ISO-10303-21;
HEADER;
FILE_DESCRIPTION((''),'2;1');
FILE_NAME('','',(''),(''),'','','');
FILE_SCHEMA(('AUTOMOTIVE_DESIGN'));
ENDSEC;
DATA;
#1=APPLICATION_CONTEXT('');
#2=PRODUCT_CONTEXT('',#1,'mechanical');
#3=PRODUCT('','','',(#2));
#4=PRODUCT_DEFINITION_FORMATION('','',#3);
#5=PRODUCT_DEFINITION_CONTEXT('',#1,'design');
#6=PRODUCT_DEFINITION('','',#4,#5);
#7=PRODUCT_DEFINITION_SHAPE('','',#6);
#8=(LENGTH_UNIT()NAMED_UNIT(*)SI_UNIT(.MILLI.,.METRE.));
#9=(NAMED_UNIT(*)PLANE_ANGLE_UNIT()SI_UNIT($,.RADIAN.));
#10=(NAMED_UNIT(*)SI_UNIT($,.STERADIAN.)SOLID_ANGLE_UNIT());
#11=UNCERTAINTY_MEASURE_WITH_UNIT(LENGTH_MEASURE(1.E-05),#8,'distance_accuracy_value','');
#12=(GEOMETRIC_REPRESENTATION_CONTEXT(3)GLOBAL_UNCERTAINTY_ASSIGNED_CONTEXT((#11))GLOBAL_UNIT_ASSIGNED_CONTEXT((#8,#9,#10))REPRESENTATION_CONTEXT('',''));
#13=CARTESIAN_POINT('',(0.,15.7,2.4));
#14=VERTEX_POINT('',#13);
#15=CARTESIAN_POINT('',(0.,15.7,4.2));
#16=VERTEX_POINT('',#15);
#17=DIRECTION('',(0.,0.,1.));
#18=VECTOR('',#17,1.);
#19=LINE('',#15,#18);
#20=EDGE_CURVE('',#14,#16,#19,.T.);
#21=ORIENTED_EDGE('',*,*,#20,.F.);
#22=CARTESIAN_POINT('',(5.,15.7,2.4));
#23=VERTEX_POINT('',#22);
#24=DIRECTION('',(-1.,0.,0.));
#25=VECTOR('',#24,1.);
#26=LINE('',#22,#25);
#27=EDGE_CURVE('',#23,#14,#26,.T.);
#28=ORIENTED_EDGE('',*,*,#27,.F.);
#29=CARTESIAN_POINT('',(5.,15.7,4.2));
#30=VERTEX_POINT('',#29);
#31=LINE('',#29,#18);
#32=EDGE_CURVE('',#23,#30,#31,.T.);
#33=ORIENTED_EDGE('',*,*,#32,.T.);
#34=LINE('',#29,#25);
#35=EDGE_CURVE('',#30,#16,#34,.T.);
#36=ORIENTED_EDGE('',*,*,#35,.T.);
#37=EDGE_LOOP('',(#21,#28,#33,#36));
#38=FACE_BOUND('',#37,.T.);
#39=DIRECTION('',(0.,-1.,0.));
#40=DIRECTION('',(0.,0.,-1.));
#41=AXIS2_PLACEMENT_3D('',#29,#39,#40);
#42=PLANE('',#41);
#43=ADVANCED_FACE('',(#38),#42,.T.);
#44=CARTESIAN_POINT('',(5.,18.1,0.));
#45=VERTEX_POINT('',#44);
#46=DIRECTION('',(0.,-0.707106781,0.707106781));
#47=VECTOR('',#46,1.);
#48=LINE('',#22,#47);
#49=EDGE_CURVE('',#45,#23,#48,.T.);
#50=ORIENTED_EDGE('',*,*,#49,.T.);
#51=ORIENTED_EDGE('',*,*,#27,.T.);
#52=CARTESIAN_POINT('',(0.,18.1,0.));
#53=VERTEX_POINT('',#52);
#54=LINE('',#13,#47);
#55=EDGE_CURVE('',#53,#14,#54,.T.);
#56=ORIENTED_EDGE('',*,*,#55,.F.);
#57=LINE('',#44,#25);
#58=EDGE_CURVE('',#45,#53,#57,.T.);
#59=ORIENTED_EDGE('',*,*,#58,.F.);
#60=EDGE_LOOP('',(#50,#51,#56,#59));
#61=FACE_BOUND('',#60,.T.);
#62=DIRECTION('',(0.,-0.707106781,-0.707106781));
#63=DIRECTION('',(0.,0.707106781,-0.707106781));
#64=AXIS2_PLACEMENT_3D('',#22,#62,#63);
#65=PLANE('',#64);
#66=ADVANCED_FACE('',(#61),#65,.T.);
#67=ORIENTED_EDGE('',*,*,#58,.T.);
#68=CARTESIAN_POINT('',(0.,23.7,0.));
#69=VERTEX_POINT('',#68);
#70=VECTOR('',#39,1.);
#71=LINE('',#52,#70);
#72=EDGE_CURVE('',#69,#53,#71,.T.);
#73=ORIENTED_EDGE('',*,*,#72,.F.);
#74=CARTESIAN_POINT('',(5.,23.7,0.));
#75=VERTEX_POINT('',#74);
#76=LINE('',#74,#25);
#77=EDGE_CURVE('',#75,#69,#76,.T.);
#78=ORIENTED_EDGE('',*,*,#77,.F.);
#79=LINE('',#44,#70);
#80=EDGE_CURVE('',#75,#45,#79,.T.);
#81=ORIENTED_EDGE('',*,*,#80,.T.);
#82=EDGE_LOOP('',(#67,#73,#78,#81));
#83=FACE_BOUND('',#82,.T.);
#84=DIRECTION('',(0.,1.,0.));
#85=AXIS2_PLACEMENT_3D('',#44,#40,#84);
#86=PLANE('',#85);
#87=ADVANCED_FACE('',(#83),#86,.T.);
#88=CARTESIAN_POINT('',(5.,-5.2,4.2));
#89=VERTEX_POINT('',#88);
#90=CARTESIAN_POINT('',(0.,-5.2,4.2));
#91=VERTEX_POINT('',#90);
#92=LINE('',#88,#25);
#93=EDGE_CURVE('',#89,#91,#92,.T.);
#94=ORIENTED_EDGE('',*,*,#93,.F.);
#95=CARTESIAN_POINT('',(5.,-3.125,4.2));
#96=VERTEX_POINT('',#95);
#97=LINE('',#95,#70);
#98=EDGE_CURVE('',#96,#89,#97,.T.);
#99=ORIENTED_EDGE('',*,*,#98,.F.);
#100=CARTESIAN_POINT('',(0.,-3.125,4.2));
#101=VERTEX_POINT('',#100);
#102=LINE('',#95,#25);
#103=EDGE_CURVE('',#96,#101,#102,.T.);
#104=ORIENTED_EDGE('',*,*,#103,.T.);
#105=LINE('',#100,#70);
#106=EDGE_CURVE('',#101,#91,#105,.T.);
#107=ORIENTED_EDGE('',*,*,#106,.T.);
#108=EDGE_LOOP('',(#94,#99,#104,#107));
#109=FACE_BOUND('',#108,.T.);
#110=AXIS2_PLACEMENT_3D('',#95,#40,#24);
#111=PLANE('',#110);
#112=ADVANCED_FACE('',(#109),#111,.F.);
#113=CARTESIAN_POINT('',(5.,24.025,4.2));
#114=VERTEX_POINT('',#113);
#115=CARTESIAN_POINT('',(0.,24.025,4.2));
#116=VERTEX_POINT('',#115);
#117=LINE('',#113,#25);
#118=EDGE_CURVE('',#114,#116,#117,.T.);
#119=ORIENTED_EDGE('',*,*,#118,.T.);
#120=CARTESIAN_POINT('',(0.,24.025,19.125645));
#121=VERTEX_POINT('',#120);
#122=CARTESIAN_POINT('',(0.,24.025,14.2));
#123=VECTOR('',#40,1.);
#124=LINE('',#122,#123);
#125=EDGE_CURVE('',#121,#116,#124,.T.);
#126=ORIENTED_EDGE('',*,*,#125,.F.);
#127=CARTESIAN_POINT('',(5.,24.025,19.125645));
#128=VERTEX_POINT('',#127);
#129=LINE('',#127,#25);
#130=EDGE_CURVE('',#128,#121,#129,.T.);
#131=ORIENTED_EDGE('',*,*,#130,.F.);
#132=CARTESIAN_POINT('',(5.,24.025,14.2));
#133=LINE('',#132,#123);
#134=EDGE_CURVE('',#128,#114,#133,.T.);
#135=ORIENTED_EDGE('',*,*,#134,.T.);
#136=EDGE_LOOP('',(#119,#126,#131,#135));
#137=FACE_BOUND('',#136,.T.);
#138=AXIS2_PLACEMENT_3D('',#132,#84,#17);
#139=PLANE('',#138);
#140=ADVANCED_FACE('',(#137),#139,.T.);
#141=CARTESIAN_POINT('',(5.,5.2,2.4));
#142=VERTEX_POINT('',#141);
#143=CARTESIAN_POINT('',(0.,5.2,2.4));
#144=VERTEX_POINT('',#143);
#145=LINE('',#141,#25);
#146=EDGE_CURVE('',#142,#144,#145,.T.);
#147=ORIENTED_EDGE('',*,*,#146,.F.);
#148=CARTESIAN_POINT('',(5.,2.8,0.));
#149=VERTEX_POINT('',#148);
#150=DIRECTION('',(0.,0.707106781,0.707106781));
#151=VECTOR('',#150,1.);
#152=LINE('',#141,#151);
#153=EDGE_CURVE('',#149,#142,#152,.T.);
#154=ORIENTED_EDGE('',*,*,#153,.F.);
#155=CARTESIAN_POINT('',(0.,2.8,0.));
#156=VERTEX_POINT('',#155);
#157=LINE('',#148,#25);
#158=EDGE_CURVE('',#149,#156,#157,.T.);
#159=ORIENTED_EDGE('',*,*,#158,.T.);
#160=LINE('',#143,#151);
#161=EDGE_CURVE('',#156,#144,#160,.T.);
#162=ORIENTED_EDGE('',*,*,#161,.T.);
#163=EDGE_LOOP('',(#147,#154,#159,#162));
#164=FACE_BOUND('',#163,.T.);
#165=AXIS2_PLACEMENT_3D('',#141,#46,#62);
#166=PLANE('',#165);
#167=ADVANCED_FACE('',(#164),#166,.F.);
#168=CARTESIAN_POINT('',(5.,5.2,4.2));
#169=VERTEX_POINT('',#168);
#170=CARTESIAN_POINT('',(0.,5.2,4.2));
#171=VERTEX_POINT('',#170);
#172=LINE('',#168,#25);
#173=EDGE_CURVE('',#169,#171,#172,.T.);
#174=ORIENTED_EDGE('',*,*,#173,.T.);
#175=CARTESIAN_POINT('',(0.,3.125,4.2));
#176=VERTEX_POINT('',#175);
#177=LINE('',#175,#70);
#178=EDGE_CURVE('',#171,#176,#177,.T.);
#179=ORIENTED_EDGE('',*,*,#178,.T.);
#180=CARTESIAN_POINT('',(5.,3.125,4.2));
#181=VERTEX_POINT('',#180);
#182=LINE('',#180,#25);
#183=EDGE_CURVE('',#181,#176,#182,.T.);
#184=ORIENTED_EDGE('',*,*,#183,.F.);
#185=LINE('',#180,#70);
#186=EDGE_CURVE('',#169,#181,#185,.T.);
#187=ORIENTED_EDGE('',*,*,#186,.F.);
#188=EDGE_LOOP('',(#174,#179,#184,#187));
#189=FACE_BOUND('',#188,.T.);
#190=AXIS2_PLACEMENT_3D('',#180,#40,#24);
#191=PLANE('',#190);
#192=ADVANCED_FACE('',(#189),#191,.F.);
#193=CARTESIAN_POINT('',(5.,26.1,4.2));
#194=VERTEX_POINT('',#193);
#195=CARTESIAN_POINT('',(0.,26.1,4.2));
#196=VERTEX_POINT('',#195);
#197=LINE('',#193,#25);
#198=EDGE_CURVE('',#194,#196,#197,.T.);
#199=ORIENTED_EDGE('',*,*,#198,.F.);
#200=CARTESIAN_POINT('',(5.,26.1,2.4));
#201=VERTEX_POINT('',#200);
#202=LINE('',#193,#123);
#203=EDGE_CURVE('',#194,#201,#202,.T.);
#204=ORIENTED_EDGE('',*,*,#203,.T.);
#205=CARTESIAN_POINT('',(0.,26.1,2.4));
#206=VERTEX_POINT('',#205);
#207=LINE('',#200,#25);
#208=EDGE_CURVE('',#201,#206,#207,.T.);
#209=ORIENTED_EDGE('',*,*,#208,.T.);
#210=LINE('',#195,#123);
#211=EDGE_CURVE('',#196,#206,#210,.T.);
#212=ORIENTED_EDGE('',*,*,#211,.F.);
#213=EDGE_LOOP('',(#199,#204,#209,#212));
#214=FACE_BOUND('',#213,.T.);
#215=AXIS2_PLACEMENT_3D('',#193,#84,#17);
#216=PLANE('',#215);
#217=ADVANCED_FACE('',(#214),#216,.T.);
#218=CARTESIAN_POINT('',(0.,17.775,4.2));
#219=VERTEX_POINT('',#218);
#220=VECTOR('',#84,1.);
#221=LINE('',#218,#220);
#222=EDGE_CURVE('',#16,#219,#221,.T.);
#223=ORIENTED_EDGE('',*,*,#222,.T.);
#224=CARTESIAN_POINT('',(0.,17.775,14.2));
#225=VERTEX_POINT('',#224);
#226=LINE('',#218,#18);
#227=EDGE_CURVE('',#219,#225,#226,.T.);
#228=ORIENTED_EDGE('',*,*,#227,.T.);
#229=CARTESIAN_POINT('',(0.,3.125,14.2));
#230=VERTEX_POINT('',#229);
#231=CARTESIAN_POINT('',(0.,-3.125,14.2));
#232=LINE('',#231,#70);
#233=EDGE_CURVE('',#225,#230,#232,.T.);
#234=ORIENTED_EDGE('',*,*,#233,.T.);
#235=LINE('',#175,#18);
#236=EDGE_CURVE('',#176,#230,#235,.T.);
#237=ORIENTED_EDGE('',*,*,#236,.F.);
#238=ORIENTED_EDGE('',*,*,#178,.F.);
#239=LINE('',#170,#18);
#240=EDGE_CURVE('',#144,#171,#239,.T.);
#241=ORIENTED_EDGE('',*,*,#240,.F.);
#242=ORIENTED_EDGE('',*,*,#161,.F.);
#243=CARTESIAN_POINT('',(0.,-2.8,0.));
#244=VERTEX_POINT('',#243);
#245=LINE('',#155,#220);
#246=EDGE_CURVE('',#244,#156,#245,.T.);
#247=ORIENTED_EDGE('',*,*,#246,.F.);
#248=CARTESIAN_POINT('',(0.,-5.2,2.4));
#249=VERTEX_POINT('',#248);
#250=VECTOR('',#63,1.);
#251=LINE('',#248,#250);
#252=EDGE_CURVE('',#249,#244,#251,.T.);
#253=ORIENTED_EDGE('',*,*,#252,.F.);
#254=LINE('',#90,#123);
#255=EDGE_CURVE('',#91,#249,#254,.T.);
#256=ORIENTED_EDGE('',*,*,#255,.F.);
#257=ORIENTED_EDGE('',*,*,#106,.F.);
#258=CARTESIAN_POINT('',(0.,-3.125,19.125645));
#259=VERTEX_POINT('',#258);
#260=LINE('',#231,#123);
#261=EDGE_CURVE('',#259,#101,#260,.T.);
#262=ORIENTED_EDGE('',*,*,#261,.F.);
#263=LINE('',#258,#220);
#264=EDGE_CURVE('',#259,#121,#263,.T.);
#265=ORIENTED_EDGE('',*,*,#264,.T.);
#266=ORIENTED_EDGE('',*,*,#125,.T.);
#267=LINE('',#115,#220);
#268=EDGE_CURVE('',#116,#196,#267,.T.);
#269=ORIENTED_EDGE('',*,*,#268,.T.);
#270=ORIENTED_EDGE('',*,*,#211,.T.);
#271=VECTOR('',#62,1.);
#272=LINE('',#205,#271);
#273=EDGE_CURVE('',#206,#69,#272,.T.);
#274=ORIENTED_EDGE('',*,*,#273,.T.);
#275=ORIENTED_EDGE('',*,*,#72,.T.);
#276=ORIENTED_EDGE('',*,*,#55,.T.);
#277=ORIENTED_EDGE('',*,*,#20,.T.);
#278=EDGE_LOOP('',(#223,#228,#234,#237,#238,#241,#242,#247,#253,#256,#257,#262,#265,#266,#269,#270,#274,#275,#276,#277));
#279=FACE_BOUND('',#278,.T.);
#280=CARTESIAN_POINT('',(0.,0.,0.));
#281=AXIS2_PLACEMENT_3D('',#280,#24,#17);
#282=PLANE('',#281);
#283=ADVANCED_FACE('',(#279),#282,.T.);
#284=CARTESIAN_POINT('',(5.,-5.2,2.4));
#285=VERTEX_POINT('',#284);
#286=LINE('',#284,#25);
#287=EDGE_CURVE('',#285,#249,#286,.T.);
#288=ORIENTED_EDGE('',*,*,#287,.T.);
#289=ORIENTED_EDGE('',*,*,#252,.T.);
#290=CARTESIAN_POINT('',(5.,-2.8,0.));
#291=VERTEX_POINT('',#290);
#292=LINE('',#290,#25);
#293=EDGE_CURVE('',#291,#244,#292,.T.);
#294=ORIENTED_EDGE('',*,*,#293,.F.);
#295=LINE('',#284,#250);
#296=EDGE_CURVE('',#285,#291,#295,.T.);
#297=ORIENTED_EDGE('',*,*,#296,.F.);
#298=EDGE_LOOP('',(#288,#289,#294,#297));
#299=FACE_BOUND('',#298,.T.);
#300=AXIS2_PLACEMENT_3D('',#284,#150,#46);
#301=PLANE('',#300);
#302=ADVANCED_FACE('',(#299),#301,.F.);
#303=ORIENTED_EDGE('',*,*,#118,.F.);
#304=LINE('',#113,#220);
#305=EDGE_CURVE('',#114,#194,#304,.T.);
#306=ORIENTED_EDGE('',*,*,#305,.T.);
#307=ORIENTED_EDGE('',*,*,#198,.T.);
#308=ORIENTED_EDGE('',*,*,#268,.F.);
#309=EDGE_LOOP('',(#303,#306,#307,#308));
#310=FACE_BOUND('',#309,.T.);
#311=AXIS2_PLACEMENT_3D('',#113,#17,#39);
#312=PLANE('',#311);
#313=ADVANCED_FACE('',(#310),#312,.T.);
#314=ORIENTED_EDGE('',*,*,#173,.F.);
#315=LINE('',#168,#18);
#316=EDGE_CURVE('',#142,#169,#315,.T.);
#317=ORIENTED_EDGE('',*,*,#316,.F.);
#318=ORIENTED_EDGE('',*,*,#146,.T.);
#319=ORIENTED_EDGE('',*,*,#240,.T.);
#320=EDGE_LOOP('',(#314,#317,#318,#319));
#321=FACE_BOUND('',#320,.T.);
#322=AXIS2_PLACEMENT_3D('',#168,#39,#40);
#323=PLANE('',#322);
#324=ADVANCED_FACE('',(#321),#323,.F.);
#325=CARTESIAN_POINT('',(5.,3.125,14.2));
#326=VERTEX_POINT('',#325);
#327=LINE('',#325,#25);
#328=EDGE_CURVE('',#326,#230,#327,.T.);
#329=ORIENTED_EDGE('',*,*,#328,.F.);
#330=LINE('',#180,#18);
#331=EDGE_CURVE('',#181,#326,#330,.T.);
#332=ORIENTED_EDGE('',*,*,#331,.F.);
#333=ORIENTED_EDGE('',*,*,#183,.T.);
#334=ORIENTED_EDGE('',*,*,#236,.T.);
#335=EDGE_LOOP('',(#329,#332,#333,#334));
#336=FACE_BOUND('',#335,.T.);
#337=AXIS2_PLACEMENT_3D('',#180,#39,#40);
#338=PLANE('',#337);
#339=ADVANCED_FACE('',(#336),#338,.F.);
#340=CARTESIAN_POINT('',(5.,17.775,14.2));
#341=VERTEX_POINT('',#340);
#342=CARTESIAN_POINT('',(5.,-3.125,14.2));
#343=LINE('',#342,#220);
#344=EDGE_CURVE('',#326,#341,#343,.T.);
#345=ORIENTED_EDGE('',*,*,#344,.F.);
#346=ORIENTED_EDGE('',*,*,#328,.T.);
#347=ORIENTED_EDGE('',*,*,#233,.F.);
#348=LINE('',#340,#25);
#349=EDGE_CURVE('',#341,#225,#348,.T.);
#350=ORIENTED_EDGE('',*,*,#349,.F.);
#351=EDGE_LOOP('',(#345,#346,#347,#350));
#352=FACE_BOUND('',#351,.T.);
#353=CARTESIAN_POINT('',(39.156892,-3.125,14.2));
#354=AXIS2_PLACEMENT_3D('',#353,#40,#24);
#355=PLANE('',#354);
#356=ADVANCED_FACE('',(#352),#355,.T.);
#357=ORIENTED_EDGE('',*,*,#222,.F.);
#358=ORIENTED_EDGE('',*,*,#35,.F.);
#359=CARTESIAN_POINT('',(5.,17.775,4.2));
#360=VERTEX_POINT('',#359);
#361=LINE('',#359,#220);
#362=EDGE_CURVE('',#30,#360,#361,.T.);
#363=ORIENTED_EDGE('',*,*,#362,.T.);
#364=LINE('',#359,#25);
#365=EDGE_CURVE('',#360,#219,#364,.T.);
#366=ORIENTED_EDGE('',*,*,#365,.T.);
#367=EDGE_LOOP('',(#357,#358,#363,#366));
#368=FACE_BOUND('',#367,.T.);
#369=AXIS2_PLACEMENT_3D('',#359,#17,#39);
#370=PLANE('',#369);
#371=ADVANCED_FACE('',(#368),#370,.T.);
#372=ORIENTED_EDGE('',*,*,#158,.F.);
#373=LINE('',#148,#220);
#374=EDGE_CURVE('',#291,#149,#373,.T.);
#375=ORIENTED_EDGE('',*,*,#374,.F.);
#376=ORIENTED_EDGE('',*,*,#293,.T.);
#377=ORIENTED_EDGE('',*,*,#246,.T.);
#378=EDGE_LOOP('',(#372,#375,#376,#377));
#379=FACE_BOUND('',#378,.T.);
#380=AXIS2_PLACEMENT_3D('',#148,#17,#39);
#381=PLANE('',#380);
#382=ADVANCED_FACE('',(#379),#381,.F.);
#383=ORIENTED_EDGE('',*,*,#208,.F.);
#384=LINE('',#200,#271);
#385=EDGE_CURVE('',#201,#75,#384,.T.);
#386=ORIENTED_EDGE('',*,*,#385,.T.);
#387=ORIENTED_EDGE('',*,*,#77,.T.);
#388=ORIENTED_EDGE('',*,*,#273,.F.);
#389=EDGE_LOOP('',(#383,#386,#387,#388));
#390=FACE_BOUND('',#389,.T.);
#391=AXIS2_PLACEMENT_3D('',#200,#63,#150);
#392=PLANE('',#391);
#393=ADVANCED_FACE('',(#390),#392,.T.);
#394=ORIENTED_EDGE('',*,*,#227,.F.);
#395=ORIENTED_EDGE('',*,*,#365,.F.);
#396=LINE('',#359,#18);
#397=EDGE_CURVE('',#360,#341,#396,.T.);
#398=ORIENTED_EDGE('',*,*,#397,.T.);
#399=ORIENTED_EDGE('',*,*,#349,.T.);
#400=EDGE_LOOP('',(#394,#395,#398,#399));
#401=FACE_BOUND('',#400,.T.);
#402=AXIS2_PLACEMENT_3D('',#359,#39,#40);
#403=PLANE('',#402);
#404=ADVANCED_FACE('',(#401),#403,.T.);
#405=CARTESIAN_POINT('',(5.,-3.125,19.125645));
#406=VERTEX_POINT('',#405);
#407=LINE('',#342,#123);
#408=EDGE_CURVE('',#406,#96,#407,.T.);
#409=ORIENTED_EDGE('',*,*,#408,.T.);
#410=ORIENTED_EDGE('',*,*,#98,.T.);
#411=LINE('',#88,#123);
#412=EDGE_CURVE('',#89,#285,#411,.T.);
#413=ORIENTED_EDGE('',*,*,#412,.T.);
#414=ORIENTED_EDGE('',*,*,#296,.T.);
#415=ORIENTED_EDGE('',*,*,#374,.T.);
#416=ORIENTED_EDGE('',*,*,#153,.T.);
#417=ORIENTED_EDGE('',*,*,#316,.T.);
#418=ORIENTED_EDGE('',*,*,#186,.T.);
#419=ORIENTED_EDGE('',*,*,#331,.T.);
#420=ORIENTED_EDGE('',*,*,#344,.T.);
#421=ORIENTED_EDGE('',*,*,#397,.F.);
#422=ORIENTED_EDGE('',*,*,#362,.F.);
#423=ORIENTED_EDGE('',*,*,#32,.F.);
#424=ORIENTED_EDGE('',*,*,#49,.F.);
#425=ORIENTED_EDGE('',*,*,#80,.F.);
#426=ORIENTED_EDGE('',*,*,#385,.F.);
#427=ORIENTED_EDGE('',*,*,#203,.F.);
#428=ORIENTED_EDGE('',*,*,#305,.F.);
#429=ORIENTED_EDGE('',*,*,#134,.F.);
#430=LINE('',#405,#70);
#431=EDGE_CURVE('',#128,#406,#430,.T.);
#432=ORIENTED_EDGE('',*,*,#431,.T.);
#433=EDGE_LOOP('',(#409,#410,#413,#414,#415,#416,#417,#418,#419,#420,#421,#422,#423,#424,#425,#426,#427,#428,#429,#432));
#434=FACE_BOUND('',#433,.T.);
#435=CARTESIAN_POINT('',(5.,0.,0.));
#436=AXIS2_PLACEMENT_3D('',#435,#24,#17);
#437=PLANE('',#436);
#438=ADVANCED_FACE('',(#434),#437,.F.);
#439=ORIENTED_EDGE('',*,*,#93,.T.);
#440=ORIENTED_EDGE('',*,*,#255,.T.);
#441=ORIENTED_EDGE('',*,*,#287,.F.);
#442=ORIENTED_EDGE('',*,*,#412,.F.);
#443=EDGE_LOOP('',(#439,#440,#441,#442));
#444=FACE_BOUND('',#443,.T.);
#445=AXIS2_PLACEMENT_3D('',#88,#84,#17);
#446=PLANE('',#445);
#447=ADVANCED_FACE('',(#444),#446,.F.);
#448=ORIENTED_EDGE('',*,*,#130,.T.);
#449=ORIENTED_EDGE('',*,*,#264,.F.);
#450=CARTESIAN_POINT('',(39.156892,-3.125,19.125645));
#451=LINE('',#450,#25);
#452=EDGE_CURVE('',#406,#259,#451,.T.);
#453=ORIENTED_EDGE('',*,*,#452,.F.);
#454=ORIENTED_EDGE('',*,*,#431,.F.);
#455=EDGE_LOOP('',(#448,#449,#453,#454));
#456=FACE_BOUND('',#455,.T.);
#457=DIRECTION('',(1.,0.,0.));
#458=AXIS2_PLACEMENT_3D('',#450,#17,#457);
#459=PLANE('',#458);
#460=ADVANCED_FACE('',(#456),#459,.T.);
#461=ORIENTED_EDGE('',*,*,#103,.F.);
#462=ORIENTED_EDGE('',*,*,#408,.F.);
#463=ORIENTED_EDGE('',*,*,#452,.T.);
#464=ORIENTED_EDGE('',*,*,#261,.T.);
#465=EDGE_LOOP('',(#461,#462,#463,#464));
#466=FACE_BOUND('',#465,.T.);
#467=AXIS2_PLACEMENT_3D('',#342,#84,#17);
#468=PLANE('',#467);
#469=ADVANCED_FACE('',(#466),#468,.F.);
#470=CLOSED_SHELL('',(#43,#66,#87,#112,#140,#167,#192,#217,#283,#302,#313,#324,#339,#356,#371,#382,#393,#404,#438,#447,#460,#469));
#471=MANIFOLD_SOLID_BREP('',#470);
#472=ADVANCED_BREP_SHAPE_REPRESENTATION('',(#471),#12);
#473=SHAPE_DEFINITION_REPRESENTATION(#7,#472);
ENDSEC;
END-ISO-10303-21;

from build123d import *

# Parameters (mm, degrees)
BOSS_EXTRUDE1_DEPTH = 5
SKETCH3_W           = 4.925645198
SKETCH3_H           = 33.799871634
BOSS_EXTRUDE2_DEPTH = 5
SKETCH4_W           = 4.925645198
SKETCH4_H           = 6.649871634
CUT_EXTRUDE1_DEPTH  = 37.492986368


with BuildPart() as part:
    # Sketch2 → Boss-Extrude1 (new body)
    with BuildSketch(Plane(origin=(0, 0, 0), x_dir=(0, 0, -1), z_dir=(1, 0, 0))):
        Polygon((-4.2, 3.125), (-14.2, 3.125), (-14.2, -3.125), (-4.2, -3.125), (-4.2, -5.2), (-2.4, -5.2), (0, -2.8), (0, 2.8), (-2.4, 5.2), (-4.2, 5.2), align=None)
    boss_extrude1 = extrude(amount=BOSS_EXTRUDE1_DEPTH)

    # Sketch3 → Boss-Extrude2 (add)
    with BuildSketch(Plane.ZY):
        with Locations((16.662822599, 13.774935817)):
            Rectangle(SKETCH3_W, SKETCH3_H)
    extrude(amount=-BOSS_EXTRUDE2_DEPTH)

    # Mirror2: Boss-Extrude1 across plane
    add(boss_extrude1.mirror(Plane.ZX.offset(10.45)))

    # Sketch4 → Cut-Extrude1 (cut, through all)
    with BuildSketch(Plane.ZY):
        with Locations((16.662822599, 27.349935817)):
            Rectangle(SKETCH4_W, SKETCH4_H)
    extrude(amount=-CUT_EXTRUDE1_DEPTH, mode=Mode.SUBTRACT)


solid = part.part
